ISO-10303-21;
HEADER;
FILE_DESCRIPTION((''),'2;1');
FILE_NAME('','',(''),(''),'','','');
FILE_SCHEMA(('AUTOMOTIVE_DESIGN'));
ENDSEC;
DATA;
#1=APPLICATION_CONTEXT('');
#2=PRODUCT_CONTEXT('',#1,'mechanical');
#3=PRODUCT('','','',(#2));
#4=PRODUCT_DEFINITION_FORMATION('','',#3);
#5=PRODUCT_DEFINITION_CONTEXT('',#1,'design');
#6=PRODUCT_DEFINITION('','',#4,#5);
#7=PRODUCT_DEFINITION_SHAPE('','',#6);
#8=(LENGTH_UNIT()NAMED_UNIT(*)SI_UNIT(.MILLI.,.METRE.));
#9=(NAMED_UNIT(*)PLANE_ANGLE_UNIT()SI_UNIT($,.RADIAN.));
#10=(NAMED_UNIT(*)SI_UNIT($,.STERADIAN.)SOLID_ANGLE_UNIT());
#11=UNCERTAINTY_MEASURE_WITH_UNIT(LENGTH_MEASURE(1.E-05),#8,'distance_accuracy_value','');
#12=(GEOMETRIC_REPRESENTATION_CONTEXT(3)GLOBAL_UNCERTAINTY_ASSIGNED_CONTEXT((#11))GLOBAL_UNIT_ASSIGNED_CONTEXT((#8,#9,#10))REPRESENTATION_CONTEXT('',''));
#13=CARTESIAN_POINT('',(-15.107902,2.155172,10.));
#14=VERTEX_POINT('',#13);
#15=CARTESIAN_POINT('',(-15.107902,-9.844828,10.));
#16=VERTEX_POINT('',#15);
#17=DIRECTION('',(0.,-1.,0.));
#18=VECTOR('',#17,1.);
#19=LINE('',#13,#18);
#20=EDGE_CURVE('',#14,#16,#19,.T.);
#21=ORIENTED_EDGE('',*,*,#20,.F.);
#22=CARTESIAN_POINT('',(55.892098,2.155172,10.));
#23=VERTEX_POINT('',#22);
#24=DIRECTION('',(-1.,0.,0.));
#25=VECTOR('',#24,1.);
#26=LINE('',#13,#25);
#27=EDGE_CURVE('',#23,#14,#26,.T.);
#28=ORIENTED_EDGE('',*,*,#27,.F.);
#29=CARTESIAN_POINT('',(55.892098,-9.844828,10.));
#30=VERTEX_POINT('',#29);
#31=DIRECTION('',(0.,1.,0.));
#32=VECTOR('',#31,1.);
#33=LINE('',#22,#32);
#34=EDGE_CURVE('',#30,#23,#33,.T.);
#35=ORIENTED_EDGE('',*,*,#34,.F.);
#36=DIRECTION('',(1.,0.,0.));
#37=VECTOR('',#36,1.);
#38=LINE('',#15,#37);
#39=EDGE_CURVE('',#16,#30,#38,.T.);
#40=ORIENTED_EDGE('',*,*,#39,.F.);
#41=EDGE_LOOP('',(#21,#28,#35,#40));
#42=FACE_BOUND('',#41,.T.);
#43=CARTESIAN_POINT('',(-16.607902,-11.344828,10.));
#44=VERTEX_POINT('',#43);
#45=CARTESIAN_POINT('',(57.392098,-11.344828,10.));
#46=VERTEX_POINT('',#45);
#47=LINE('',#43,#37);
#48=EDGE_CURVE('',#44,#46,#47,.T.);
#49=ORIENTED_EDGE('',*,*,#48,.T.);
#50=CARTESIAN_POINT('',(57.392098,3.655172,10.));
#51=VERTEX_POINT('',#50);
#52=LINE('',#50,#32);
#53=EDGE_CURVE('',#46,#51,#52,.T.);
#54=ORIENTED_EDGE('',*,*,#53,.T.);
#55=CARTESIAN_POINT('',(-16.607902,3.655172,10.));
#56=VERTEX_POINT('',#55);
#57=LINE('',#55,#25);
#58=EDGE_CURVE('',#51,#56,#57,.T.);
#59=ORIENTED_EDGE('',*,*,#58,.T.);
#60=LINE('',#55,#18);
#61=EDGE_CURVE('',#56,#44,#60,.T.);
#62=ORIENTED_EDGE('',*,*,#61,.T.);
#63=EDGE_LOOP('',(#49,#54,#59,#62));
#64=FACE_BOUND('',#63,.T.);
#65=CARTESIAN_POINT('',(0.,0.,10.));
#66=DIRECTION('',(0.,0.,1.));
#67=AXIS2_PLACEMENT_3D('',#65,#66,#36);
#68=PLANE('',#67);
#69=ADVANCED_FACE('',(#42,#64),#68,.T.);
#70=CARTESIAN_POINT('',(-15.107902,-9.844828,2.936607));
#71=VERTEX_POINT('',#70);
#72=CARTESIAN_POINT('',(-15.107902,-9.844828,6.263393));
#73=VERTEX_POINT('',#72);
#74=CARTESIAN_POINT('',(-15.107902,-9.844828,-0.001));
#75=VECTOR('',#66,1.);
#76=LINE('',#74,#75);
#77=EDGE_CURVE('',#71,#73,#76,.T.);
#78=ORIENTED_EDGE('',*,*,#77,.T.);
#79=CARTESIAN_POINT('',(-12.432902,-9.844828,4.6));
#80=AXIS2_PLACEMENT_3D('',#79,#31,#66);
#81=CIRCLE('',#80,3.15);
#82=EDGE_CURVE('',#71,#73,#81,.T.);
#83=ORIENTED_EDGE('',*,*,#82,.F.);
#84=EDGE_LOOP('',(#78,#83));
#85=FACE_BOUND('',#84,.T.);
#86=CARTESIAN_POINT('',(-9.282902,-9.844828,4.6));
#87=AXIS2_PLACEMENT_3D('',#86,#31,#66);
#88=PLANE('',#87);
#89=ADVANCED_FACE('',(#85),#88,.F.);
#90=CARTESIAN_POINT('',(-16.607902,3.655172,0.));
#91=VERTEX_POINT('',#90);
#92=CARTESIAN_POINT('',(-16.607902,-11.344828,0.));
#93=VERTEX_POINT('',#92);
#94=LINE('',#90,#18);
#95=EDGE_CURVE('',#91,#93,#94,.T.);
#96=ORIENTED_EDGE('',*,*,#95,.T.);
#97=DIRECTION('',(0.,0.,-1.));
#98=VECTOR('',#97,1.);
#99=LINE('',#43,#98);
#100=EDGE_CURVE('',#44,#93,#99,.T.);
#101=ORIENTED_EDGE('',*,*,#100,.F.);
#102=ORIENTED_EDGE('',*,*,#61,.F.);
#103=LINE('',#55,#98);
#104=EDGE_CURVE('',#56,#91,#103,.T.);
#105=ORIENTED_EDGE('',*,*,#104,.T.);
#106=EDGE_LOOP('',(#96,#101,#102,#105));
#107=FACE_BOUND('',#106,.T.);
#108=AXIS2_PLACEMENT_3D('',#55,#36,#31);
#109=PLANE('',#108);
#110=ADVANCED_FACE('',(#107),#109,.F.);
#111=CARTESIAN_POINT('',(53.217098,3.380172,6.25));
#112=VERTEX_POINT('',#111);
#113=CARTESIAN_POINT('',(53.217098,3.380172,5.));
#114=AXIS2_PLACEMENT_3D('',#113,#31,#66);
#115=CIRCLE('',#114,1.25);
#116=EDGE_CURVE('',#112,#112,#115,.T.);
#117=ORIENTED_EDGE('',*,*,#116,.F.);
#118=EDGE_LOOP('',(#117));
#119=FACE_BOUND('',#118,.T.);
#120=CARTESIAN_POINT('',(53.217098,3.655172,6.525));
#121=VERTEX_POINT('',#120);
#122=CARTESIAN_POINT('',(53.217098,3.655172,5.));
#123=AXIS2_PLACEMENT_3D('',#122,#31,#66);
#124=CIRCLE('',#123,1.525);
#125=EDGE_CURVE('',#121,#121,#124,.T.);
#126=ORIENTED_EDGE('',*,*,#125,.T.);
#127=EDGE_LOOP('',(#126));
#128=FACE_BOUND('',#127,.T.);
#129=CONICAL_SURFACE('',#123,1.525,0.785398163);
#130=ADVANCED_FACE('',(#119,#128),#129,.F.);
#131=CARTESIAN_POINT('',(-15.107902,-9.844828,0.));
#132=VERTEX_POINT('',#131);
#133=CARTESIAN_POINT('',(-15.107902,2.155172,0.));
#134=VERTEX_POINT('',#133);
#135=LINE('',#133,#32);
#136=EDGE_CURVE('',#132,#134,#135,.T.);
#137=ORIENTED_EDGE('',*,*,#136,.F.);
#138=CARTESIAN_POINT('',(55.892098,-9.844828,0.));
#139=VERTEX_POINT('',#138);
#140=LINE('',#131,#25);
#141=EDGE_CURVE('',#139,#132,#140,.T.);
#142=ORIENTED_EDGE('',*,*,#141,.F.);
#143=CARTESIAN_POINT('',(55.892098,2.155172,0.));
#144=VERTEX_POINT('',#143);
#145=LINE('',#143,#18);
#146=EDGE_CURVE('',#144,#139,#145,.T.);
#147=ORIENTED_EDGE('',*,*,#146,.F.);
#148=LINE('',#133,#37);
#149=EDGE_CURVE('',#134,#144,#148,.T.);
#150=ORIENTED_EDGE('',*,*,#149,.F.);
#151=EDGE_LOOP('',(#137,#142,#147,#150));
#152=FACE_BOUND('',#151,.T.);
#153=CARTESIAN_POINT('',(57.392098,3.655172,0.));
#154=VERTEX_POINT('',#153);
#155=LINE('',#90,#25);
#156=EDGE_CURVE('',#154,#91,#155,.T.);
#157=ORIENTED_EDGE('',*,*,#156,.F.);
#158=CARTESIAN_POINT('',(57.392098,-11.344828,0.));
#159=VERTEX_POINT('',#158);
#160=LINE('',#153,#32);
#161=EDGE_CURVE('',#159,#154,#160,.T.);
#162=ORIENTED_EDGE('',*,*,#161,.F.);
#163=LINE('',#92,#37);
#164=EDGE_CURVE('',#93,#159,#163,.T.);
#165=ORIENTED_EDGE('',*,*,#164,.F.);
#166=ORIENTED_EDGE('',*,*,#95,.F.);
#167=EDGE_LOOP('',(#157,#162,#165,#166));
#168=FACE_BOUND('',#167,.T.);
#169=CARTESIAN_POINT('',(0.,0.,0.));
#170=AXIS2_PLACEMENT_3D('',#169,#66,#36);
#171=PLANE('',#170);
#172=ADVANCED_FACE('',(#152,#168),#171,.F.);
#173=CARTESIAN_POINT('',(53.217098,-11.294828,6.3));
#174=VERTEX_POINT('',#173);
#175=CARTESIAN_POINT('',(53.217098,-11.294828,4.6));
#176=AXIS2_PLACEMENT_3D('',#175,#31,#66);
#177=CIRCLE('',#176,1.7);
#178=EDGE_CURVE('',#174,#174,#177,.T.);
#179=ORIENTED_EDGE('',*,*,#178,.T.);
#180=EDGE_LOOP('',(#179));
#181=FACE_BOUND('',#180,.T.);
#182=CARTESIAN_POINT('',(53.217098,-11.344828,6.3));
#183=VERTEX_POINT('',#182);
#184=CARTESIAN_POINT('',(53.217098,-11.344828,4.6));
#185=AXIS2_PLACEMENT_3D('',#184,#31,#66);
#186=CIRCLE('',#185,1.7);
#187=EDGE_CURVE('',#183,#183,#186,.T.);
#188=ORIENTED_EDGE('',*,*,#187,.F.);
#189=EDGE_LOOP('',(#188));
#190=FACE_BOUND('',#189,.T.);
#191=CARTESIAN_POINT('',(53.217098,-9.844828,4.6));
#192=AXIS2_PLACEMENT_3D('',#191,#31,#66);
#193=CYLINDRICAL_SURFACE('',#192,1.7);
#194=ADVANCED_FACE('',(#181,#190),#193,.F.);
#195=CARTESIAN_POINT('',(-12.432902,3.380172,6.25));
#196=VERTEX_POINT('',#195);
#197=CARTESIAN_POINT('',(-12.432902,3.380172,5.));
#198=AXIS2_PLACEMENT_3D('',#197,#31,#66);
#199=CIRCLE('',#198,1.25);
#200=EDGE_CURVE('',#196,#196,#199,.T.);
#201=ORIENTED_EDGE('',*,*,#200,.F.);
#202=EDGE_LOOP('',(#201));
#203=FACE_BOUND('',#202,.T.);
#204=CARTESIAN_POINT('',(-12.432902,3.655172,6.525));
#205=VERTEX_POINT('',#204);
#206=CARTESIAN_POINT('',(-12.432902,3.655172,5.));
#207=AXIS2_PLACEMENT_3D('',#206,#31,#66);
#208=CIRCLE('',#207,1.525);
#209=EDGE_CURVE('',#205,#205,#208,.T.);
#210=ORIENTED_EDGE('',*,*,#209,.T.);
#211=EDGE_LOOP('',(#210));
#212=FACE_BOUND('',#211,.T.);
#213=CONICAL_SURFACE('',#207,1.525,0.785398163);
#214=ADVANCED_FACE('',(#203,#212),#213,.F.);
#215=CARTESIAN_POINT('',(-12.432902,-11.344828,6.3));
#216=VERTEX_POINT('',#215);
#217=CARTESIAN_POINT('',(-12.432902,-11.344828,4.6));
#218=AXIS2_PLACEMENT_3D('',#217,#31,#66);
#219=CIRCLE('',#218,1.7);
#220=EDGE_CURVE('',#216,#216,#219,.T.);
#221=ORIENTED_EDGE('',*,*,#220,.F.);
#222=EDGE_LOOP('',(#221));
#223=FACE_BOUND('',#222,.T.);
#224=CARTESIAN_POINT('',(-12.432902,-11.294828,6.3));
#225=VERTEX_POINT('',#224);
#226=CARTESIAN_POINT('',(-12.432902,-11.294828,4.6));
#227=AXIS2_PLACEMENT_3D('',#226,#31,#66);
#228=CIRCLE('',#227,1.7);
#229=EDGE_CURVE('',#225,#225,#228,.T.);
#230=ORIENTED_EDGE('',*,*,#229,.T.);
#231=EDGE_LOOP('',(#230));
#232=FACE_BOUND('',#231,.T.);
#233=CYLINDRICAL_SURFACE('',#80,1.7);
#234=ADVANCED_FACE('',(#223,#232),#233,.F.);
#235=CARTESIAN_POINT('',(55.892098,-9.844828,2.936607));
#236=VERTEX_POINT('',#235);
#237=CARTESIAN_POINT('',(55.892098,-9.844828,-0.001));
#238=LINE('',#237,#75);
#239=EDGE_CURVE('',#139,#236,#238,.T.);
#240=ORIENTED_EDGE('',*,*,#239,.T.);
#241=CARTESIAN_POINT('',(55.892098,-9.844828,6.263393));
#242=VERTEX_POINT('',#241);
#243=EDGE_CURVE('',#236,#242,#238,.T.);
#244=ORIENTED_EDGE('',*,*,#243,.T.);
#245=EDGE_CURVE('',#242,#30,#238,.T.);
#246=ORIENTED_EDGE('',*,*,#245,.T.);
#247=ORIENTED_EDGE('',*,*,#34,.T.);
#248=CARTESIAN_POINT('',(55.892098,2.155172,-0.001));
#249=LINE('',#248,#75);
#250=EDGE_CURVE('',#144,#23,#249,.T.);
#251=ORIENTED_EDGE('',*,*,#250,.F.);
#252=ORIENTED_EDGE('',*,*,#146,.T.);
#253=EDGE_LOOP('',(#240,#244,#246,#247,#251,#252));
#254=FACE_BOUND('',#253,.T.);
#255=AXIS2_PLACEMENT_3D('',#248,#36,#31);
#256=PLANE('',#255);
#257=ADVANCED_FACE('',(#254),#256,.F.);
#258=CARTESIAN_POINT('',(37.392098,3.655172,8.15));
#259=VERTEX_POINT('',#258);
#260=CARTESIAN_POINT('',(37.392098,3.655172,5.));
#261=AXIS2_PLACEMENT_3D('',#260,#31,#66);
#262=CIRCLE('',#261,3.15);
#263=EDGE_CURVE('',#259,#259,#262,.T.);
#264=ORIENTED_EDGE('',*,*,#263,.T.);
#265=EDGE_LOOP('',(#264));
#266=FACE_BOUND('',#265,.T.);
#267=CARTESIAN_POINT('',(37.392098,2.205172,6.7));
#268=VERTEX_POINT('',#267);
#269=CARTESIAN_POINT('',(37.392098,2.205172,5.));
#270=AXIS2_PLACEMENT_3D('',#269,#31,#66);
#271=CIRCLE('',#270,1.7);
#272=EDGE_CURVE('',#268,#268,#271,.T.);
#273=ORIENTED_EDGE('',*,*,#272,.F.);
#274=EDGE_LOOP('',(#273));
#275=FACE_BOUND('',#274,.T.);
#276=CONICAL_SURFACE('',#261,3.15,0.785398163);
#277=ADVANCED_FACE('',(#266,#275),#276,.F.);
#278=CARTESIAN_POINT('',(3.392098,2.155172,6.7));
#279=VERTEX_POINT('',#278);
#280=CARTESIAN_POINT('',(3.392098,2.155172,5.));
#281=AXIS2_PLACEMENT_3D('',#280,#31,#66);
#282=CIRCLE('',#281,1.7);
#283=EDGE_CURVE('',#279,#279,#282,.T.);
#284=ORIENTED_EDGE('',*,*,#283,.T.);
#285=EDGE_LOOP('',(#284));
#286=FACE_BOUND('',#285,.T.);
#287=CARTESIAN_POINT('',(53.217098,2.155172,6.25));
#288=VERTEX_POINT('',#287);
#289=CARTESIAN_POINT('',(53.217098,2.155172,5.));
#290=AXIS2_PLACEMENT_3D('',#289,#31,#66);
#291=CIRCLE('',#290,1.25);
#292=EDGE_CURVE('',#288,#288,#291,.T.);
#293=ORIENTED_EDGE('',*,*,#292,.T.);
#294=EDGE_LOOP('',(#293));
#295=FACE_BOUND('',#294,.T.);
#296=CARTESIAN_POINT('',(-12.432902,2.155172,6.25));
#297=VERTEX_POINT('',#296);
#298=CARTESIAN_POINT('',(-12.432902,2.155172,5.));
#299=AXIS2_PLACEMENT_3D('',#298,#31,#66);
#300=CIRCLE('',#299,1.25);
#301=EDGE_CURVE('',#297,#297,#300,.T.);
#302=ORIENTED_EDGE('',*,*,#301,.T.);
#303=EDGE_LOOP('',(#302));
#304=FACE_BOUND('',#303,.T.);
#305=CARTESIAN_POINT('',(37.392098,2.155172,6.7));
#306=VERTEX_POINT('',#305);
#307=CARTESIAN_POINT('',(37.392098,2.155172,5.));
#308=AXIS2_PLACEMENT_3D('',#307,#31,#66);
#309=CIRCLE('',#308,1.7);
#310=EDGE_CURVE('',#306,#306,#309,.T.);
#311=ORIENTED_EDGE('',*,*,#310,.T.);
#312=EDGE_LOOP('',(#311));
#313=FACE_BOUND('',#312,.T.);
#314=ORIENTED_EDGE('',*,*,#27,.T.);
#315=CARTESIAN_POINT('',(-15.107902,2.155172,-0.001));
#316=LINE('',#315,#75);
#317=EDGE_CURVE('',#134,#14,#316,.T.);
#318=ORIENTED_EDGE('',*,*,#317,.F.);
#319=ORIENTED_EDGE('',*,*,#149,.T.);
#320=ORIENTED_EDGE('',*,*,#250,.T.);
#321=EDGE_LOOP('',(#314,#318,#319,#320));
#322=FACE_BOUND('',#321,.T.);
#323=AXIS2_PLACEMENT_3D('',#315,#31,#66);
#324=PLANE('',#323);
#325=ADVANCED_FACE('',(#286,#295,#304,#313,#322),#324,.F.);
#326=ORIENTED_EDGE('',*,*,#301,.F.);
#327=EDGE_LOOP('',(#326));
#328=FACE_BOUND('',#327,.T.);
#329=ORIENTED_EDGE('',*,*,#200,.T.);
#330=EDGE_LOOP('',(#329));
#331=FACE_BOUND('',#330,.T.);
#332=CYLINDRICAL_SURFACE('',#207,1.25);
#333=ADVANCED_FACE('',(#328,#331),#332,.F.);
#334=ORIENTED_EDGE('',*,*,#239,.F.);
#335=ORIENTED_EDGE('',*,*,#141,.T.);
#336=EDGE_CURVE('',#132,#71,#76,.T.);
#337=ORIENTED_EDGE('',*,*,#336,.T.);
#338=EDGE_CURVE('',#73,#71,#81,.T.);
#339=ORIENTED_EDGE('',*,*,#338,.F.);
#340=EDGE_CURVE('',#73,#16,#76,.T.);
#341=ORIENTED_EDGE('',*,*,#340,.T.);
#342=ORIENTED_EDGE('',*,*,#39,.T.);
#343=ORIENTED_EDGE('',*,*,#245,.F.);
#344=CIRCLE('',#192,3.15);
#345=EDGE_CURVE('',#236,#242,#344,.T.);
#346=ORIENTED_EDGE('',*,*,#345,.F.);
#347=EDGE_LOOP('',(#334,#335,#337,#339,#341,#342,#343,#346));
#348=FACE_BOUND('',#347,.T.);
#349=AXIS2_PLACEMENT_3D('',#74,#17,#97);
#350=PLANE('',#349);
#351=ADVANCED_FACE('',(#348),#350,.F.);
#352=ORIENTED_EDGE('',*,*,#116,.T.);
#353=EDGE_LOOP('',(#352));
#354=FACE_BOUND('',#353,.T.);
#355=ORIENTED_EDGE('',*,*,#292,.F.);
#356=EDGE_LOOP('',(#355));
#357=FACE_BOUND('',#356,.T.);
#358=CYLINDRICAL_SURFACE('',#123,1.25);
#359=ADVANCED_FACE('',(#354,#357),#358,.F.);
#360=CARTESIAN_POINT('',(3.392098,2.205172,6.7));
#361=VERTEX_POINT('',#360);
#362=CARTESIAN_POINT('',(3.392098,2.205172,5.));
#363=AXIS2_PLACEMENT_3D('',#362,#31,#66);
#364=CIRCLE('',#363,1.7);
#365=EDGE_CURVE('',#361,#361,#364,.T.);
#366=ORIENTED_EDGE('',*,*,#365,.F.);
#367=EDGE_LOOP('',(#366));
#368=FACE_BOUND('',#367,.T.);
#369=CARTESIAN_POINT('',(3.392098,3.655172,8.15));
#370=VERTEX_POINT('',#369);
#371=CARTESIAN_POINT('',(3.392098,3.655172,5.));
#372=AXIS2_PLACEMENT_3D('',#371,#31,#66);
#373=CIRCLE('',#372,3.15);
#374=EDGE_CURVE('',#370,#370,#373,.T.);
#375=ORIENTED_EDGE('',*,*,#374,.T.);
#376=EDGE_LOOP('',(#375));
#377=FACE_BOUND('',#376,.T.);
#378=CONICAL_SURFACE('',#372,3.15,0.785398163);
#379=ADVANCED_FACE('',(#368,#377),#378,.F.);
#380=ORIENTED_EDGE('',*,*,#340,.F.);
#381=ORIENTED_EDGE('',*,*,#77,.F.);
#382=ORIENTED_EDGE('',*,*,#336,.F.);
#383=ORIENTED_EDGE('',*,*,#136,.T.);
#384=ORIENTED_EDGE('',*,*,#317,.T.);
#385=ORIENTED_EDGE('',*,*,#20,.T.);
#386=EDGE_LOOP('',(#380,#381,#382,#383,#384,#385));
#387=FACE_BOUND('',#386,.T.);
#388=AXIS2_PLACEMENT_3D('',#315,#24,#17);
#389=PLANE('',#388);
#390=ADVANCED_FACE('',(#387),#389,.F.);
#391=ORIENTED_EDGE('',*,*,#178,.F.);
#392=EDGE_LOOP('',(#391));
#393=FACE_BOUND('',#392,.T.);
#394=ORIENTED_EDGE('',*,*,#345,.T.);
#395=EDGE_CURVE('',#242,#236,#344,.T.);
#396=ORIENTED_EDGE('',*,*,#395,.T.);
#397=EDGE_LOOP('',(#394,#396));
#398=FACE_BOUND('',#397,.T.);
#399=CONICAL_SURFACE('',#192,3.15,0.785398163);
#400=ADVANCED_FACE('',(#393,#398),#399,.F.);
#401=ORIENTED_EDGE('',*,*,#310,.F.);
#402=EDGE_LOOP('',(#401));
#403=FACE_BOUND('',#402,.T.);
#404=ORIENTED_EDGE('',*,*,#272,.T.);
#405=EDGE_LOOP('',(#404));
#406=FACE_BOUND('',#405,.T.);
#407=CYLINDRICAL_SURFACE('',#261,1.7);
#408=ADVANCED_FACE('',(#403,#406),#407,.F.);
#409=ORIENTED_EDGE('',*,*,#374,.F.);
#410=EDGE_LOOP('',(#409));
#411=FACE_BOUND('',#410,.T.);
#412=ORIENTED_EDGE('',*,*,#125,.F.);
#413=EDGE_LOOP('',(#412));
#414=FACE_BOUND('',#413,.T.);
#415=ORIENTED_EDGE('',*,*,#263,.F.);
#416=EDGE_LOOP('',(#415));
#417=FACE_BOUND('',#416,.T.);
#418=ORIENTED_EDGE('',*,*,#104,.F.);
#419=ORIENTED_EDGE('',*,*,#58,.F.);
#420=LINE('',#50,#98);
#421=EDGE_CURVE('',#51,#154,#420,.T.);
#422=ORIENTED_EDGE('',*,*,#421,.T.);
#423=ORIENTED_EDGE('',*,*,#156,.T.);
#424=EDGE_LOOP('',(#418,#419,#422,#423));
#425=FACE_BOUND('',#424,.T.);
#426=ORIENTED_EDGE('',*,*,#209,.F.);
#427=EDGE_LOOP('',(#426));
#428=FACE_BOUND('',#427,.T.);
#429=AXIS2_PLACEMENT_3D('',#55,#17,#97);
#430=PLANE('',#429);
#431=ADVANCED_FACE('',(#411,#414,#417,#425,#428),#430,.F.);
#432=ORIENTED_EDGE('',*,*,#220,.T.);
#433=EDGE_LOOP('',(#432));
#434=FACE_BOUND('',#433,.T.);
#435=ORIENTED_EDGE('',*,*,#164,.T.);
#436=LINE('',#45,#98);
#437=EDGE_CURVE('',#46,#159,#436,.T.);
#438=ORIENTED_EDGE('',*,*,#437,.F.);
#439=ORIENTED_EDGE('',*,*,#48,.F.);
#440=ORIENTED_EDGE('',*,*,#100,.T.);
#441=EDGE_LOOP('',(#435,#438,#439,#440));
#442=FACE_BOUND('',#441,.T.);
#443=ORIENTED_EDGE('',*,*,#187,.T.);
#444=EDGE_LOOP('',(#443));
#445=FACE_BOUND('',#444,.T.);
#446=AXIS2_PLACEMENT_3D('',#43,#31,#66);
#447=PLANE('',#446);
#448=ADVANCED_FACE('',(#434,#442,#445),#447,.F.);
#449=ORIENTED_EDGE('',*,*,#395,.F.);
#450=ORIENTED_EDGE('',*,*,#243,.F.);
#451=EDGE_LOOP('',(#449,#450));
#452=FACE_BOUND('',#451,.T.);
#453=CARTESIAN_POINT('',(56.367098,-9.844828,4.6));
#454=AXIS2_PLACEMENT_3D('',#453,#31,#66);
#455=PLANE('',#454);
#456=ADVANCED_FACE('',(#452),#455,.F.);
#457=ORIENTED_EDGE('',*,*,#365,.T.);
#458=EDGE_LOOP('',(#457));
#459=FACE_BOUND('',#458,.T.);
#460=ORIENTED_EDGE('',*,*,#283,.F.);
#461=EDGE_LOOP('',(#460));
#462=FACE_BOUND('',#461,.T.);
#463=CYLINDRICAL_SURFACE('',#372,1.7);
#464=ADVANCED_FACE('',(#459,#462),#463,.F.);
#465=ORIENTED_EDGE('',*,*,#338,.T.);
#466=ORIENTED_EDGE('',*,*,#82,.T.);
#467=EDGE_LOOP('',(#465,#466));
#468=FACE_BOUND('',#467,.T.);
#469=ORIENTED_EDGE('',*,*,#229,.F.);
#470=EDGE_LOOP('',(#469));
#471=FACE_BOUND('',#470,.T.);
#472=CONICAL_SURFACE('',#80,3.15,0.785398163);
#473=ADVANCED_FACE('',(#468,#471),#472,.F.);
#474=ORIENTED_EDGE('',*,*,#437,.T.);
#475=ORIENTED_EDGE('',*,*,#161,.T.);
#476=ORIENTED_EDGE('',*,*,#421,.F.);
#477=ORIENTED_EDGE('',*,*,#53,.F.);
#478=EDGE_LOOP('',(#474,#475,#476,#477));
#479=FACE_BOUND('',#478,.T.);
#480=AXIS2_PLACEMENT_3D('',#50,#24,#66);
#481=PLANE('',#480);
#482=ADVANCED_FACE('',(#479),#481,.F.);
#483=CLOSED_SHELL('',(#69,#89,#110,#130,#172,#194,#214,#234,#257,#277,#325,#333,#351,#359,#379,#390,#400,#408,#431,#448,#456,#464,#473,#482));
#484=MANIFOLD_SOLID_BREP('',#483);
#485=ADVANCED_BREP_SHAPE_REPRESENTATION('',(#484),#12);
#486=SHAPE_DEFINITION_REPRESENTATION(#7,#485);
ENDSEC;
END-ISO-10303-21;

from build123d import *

# Parameters (mm, degrees)
SKIZZE1_W                                      = 74
SKIZZE1_H                                      = 15
AUFSATZ_LINEAR_AUSTRAGEN1_DEPTH                = 10
SCHNITT_LINEAR_AUSTRAGEN1_REACH                = 61.351
SKIZZE2_W                                      = 71
SKIZZE2_H                                      = 12
FORMSENKUNG_F_R_M3_LINSENSENKSCHRAUB_2_COUNT   = 2
FORMSENKUNG_F_R_M3_LINSENSENKSCHRAUB_2_PITCH   = 34
M3_GEWINDEBOHRUNG1_AT_2_COUNT                  = 2
M3_GEWINDEBOHRUNG1_AT_2_PITCH                  = 65.65
FORMSENKUNG_F_R_M3_LINSENSENKSCHRAUB_3_A_COUNT = 2
FORMSENKUNG_F_R_M3_LINSENSENKSCHRAUB_3_A_PITCH = 65.65


with BuildPart() as part:
    # Skizze1 → Aufsatz-Linear austragen1 (new body)
    with BuildSketch(Plane.XY):
        with Locations((20.392098069, -3.844827586)):
            Rectangle(SKIZZE1_W, SKIZZE1_H)
    extrude(amount=AUFSATZ_LINEAR_AUSTRAGEN1_DEPTH)

    # Skizze2 → Schnitt-Linear austragen1 (cut, up to next)
    with BuildSketch(Plane.XY.offset(10), mode=Mode.PRIVATE) as schnitt_linear_austragen1_sk1:
        with Locations((20.392098069, -3.844827586)):
            Rectangle(SKIZZE2_W, SKIZZE2_H)
    schnitt_linear_austragen1_tool1 = extrude(schnitt_linear_austragen1_sk1.sketch, amount=-SCHNITT_LINEAR_AUSTRAGEN1_REACH, mode=Mode.PRIVATE) & part.part
    add(schnitt_linear_austragen1_tool1.solids().sort_by_distance((20.392098, -3.844828, 10))[0], mode=Mode.SUBTRACT)

    # Skizze10 → Formsenkung f_r M3 Linsensenkschraube mi (revolve, cut)
    with BuildSketch(Plane(origin=(3.392098069, 3.655172414, 5), x_dir=(0, 0, 1), z_dir=(1, 0, 0))):
        Polygon((0, 0), (0, 1.5), (1.7, 1.5), (1.7, 1.45), (3.15, 0), align=None)
    formsenkung_f_r_m3_linsensenkschraube_mi = revolve(axis=Axis((3.392098069, 10.005172414, 5), (0, -1, 0)), mode=Mode.SUBTRACT)

    # Formsenkung f_r M3 Linsensenkschraub 2: Formsenkung f_r M3 Linsensenkschraube mi ×2
    with Locations(*[(i * FORMSENKUNG_F_R_M3_LINSENSENKSCHRAUB_2_PITCH, 0, 0) for i in range(1, FORMSENKUNG_F_R_M3_LINSENSENKSCHRAUB_2_COUNT)]):
        add(formsenkung_f_r_m3_linsensenkschraube_mi, mode=Mode.SUBTRACT)

    # Skizze12 → M3 Gewindebohrung1 (revolve, cut)
    with BuildSketch(Plane(origin=(53.217098069, 3.655172414, 5), x_dir=(0, 0, 1), z_dir=(1, 0, 0))):
        Polygon((0, 0), (0, 1.5), (1.25, 1.5), (1.25, 0.275), (1.525, 0), align=None)
    m3_gewindebohrung1 = revolve(axis=Axis((53.217098069, 10.005172414, 5), (0, -1, 0)), mode=Mode.SUBTRACT)

    # M3 Gewindebohrung1 at 2: M3 Gewindebohrung1 ×2
    with Locations(*[(-i * M3_GEWINDEBOHRUNG1_AT_2_PITCH, 0, 0) for i in range(1, M3_GEWINDEBOHRUNG1_AT_2_COUNT)]):
        add(m3_gewindebohrung1, mode=Mode.SUBTRACT)

    # Skizze13 → Formsenkung f_r M3 Linsensenkschraub 3 (revolve, cut)
    with BuildSketch(Plane(origin=(-12.432901931, -9.844827586, 4.6), x_dir=(0, 0, 1), z_dir=(1, 0, 0))):
        Polygon((0, 0), (0, 1.5), (1.7, 1.5), (1.7, 1.45), (3.15, 0), align=None)
    formsenkung_f_r_m3_linsensenkschraub_3 = revolve(axis=Axis((-12.432901931, -3.494827586, 4.6), (0, -1, 0)), mode=Mode.SUBTRACT)

    # Formsenkung f_r M3 Linsensenkschraub 3 a: Formsenkung f_r M3 Linsensenkschraub 3 ×2
    with Locations(*[(i * FORMSENKUNG_F_R_M3_LINSENSENKSCHRAUB_3_A_PITCH, 0, 0) for i in range(1, FORMSENKUNG_F_R_M3_LINSENSENKSCHRAUB_3_A_COUNT)]):
        add(formsenkung_f_r_m3_linsensenkschraub_3, mode=Mode.SUBTRACT)


solid = part.part
